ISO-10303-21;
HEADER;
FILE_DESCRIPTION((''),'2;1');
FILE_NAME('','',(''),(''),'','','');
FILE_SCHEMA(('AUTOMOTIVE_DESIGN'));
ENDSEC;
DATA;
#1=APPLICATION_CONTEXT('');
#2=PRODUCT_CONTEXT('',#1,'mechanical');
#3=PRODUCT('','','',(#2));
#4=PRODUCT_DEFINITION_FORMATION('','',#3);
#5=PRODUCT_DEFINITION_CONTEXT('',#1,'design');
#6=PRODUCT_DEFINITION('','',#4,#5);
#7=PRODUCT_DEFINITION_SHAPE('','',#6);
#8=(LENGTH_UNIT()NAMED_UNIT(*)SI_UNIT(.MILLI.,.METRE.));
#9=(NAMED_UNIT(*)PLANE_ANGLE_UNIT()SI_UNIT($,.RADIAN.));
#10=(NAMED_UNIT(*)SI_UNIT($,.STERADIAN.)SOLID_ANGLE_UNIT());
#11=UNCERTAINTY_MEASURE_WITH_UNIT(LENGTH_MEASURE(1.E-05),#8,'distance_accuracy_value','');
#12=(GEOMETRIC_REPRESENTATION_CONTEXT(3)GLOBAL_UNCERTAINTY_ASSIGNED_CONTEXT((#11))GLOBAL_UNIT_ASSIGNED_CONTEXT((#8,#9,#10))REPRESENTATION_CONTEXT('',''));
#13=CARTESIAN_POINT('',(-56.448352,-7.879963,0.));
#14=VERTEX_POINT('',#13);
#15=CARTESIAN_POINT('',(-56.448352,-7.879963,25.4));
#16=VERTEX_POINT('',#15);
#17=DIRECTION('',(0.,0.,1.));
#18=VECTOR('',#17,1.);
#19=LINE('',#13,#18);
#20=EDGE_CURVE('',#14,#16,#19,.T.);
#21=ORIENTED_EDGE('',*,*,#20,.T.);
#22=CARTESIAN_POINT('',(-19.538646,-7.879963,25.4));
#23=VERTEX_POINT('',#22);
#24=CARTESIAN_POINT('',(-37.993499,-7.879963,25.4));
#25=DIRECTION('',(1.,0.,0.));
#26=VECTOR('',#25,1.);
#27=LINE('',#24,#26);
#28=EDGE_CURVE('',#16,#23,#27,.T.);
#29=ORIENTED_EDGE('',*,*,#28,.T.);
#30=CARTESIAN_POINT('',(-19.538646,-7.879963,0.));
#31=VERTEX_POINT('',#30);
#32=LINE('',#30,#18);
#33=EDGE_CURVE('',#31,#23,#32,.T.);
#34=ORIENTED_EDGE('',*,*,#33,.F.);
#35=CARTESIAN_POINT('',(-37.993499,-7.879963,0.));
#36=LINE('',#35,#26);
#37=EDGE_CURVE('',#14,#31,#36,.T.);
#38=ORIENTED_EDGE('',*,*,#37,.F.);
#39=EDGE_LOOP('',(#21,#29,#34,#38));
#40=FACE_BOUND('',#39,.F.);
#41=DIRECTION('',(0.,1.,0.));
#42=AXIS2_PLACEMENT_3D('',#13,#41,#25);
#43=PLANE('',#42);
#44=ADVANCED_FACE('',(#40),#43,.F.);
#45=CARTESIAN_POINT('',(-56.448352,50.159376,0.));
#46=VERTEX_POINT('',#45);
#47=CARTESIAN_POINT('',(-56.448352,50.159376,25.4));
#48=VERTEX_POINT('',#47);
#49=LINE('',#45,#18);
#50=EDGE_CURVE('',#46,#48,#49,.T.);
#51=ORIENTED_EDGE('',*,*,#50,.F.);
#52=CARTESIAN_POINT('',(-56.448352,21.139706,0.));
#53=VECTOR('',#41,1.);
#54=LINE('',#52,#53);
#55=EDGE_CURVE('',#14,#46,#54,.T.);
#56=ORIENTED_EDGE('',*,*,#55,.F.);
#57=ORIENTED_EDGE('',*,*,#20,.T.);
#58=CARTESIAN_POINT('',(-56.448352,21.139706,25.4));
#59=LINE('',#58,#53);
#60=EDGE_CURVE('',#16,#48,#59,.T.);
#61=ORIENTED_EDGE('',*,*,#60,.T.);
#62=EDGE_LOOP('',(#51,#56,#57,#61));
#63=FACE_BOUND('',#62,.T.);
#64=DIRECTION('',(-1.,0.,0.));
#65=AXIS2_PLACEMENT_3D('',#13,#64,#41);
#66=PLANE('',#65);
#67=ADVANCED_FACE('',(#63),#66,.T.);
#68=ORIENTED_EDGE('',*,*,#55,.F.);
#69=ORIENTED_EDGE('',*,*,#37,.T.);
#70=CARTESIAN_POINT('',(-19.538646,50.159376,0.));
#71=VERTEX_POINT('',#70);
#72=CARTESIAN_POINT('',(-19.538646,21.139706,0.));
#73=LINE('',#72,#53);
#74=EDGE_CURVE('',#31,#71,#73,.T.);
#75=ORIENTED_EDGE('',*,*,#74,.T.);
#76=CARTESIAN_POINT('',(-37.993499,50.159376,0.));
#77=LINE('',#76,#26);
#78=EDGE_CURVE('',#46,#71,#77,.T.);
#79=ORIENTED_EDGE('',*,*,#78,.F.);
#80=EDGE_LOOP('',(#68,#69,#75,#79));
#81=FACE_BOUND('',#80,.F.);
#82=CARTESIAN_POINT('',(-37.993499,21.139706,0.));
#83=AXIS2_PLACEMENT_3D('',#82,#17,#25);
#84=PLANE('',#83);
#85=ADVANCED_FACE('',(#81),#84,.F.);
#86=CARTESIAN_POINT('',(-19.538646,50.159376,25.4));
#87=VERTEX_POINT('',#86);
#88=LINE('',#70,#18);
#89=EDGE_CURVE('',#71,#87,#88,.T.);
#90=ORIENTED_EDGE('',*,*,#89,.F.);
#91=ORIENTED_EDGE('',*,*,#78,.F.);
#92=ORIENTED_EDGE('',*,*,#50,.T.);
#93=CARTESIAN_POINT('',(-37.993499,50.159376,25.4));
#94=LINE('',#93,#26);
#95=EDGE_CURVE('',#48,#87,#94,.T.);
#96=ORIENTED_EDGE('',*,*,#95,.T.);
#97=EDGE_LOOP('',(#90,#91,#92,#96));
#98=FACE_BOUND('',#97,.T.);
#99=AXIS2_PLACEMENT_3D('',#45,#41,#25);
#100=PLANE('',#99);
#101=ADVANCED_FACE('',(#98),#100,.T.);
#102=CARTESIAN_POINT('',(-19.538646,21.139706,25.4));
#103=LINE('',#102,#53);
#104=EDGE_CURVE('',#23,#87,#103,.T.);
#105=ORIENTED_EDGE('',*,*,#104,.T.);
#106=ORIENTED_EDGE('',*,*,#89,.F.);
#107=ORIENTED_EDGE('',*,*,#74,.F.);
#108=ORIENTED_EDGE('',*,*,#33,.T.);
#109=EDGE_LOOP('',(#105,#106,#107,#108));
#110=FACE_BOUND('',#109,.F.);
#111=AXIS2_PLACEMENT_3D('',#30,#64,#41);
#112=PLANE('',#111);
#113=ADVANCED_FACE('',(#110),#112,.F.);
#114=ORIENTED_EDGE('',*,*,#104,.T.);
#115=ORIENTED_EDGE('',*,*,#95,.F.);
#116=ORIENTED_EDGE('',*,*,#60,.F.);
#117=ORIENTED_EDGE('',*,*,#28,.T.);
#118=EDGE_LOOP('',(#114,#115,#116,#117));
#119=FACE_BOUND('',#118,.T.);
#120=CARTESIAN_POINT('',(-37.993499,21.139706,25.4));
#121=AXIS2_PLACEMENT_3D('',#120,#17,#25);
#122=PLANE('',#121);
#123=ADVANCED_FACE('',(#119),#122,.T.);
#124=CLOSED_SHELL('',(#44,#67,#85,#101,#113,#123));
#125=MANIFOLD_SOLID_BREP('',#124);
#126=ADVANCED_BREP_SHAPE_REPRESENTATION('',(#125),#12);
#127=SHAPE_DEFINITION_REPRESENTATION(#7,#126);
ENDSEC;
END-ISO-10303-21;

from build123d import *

# Parameters (mm, degrees)
F1_W     = 36.909707
F1_H     = 58.039339
F2_DEPTH = 25.4


with BuildPart() as f2:
    # F1 (on face) → F2 (new body)
    with BuildSketch(Plane.XY):
        with Locations((-37.993499, 21.139706)):
            Rectangle(F1_W, F1_H)
    extrude(amount=F2_DEPTH)


solid = f2.part
